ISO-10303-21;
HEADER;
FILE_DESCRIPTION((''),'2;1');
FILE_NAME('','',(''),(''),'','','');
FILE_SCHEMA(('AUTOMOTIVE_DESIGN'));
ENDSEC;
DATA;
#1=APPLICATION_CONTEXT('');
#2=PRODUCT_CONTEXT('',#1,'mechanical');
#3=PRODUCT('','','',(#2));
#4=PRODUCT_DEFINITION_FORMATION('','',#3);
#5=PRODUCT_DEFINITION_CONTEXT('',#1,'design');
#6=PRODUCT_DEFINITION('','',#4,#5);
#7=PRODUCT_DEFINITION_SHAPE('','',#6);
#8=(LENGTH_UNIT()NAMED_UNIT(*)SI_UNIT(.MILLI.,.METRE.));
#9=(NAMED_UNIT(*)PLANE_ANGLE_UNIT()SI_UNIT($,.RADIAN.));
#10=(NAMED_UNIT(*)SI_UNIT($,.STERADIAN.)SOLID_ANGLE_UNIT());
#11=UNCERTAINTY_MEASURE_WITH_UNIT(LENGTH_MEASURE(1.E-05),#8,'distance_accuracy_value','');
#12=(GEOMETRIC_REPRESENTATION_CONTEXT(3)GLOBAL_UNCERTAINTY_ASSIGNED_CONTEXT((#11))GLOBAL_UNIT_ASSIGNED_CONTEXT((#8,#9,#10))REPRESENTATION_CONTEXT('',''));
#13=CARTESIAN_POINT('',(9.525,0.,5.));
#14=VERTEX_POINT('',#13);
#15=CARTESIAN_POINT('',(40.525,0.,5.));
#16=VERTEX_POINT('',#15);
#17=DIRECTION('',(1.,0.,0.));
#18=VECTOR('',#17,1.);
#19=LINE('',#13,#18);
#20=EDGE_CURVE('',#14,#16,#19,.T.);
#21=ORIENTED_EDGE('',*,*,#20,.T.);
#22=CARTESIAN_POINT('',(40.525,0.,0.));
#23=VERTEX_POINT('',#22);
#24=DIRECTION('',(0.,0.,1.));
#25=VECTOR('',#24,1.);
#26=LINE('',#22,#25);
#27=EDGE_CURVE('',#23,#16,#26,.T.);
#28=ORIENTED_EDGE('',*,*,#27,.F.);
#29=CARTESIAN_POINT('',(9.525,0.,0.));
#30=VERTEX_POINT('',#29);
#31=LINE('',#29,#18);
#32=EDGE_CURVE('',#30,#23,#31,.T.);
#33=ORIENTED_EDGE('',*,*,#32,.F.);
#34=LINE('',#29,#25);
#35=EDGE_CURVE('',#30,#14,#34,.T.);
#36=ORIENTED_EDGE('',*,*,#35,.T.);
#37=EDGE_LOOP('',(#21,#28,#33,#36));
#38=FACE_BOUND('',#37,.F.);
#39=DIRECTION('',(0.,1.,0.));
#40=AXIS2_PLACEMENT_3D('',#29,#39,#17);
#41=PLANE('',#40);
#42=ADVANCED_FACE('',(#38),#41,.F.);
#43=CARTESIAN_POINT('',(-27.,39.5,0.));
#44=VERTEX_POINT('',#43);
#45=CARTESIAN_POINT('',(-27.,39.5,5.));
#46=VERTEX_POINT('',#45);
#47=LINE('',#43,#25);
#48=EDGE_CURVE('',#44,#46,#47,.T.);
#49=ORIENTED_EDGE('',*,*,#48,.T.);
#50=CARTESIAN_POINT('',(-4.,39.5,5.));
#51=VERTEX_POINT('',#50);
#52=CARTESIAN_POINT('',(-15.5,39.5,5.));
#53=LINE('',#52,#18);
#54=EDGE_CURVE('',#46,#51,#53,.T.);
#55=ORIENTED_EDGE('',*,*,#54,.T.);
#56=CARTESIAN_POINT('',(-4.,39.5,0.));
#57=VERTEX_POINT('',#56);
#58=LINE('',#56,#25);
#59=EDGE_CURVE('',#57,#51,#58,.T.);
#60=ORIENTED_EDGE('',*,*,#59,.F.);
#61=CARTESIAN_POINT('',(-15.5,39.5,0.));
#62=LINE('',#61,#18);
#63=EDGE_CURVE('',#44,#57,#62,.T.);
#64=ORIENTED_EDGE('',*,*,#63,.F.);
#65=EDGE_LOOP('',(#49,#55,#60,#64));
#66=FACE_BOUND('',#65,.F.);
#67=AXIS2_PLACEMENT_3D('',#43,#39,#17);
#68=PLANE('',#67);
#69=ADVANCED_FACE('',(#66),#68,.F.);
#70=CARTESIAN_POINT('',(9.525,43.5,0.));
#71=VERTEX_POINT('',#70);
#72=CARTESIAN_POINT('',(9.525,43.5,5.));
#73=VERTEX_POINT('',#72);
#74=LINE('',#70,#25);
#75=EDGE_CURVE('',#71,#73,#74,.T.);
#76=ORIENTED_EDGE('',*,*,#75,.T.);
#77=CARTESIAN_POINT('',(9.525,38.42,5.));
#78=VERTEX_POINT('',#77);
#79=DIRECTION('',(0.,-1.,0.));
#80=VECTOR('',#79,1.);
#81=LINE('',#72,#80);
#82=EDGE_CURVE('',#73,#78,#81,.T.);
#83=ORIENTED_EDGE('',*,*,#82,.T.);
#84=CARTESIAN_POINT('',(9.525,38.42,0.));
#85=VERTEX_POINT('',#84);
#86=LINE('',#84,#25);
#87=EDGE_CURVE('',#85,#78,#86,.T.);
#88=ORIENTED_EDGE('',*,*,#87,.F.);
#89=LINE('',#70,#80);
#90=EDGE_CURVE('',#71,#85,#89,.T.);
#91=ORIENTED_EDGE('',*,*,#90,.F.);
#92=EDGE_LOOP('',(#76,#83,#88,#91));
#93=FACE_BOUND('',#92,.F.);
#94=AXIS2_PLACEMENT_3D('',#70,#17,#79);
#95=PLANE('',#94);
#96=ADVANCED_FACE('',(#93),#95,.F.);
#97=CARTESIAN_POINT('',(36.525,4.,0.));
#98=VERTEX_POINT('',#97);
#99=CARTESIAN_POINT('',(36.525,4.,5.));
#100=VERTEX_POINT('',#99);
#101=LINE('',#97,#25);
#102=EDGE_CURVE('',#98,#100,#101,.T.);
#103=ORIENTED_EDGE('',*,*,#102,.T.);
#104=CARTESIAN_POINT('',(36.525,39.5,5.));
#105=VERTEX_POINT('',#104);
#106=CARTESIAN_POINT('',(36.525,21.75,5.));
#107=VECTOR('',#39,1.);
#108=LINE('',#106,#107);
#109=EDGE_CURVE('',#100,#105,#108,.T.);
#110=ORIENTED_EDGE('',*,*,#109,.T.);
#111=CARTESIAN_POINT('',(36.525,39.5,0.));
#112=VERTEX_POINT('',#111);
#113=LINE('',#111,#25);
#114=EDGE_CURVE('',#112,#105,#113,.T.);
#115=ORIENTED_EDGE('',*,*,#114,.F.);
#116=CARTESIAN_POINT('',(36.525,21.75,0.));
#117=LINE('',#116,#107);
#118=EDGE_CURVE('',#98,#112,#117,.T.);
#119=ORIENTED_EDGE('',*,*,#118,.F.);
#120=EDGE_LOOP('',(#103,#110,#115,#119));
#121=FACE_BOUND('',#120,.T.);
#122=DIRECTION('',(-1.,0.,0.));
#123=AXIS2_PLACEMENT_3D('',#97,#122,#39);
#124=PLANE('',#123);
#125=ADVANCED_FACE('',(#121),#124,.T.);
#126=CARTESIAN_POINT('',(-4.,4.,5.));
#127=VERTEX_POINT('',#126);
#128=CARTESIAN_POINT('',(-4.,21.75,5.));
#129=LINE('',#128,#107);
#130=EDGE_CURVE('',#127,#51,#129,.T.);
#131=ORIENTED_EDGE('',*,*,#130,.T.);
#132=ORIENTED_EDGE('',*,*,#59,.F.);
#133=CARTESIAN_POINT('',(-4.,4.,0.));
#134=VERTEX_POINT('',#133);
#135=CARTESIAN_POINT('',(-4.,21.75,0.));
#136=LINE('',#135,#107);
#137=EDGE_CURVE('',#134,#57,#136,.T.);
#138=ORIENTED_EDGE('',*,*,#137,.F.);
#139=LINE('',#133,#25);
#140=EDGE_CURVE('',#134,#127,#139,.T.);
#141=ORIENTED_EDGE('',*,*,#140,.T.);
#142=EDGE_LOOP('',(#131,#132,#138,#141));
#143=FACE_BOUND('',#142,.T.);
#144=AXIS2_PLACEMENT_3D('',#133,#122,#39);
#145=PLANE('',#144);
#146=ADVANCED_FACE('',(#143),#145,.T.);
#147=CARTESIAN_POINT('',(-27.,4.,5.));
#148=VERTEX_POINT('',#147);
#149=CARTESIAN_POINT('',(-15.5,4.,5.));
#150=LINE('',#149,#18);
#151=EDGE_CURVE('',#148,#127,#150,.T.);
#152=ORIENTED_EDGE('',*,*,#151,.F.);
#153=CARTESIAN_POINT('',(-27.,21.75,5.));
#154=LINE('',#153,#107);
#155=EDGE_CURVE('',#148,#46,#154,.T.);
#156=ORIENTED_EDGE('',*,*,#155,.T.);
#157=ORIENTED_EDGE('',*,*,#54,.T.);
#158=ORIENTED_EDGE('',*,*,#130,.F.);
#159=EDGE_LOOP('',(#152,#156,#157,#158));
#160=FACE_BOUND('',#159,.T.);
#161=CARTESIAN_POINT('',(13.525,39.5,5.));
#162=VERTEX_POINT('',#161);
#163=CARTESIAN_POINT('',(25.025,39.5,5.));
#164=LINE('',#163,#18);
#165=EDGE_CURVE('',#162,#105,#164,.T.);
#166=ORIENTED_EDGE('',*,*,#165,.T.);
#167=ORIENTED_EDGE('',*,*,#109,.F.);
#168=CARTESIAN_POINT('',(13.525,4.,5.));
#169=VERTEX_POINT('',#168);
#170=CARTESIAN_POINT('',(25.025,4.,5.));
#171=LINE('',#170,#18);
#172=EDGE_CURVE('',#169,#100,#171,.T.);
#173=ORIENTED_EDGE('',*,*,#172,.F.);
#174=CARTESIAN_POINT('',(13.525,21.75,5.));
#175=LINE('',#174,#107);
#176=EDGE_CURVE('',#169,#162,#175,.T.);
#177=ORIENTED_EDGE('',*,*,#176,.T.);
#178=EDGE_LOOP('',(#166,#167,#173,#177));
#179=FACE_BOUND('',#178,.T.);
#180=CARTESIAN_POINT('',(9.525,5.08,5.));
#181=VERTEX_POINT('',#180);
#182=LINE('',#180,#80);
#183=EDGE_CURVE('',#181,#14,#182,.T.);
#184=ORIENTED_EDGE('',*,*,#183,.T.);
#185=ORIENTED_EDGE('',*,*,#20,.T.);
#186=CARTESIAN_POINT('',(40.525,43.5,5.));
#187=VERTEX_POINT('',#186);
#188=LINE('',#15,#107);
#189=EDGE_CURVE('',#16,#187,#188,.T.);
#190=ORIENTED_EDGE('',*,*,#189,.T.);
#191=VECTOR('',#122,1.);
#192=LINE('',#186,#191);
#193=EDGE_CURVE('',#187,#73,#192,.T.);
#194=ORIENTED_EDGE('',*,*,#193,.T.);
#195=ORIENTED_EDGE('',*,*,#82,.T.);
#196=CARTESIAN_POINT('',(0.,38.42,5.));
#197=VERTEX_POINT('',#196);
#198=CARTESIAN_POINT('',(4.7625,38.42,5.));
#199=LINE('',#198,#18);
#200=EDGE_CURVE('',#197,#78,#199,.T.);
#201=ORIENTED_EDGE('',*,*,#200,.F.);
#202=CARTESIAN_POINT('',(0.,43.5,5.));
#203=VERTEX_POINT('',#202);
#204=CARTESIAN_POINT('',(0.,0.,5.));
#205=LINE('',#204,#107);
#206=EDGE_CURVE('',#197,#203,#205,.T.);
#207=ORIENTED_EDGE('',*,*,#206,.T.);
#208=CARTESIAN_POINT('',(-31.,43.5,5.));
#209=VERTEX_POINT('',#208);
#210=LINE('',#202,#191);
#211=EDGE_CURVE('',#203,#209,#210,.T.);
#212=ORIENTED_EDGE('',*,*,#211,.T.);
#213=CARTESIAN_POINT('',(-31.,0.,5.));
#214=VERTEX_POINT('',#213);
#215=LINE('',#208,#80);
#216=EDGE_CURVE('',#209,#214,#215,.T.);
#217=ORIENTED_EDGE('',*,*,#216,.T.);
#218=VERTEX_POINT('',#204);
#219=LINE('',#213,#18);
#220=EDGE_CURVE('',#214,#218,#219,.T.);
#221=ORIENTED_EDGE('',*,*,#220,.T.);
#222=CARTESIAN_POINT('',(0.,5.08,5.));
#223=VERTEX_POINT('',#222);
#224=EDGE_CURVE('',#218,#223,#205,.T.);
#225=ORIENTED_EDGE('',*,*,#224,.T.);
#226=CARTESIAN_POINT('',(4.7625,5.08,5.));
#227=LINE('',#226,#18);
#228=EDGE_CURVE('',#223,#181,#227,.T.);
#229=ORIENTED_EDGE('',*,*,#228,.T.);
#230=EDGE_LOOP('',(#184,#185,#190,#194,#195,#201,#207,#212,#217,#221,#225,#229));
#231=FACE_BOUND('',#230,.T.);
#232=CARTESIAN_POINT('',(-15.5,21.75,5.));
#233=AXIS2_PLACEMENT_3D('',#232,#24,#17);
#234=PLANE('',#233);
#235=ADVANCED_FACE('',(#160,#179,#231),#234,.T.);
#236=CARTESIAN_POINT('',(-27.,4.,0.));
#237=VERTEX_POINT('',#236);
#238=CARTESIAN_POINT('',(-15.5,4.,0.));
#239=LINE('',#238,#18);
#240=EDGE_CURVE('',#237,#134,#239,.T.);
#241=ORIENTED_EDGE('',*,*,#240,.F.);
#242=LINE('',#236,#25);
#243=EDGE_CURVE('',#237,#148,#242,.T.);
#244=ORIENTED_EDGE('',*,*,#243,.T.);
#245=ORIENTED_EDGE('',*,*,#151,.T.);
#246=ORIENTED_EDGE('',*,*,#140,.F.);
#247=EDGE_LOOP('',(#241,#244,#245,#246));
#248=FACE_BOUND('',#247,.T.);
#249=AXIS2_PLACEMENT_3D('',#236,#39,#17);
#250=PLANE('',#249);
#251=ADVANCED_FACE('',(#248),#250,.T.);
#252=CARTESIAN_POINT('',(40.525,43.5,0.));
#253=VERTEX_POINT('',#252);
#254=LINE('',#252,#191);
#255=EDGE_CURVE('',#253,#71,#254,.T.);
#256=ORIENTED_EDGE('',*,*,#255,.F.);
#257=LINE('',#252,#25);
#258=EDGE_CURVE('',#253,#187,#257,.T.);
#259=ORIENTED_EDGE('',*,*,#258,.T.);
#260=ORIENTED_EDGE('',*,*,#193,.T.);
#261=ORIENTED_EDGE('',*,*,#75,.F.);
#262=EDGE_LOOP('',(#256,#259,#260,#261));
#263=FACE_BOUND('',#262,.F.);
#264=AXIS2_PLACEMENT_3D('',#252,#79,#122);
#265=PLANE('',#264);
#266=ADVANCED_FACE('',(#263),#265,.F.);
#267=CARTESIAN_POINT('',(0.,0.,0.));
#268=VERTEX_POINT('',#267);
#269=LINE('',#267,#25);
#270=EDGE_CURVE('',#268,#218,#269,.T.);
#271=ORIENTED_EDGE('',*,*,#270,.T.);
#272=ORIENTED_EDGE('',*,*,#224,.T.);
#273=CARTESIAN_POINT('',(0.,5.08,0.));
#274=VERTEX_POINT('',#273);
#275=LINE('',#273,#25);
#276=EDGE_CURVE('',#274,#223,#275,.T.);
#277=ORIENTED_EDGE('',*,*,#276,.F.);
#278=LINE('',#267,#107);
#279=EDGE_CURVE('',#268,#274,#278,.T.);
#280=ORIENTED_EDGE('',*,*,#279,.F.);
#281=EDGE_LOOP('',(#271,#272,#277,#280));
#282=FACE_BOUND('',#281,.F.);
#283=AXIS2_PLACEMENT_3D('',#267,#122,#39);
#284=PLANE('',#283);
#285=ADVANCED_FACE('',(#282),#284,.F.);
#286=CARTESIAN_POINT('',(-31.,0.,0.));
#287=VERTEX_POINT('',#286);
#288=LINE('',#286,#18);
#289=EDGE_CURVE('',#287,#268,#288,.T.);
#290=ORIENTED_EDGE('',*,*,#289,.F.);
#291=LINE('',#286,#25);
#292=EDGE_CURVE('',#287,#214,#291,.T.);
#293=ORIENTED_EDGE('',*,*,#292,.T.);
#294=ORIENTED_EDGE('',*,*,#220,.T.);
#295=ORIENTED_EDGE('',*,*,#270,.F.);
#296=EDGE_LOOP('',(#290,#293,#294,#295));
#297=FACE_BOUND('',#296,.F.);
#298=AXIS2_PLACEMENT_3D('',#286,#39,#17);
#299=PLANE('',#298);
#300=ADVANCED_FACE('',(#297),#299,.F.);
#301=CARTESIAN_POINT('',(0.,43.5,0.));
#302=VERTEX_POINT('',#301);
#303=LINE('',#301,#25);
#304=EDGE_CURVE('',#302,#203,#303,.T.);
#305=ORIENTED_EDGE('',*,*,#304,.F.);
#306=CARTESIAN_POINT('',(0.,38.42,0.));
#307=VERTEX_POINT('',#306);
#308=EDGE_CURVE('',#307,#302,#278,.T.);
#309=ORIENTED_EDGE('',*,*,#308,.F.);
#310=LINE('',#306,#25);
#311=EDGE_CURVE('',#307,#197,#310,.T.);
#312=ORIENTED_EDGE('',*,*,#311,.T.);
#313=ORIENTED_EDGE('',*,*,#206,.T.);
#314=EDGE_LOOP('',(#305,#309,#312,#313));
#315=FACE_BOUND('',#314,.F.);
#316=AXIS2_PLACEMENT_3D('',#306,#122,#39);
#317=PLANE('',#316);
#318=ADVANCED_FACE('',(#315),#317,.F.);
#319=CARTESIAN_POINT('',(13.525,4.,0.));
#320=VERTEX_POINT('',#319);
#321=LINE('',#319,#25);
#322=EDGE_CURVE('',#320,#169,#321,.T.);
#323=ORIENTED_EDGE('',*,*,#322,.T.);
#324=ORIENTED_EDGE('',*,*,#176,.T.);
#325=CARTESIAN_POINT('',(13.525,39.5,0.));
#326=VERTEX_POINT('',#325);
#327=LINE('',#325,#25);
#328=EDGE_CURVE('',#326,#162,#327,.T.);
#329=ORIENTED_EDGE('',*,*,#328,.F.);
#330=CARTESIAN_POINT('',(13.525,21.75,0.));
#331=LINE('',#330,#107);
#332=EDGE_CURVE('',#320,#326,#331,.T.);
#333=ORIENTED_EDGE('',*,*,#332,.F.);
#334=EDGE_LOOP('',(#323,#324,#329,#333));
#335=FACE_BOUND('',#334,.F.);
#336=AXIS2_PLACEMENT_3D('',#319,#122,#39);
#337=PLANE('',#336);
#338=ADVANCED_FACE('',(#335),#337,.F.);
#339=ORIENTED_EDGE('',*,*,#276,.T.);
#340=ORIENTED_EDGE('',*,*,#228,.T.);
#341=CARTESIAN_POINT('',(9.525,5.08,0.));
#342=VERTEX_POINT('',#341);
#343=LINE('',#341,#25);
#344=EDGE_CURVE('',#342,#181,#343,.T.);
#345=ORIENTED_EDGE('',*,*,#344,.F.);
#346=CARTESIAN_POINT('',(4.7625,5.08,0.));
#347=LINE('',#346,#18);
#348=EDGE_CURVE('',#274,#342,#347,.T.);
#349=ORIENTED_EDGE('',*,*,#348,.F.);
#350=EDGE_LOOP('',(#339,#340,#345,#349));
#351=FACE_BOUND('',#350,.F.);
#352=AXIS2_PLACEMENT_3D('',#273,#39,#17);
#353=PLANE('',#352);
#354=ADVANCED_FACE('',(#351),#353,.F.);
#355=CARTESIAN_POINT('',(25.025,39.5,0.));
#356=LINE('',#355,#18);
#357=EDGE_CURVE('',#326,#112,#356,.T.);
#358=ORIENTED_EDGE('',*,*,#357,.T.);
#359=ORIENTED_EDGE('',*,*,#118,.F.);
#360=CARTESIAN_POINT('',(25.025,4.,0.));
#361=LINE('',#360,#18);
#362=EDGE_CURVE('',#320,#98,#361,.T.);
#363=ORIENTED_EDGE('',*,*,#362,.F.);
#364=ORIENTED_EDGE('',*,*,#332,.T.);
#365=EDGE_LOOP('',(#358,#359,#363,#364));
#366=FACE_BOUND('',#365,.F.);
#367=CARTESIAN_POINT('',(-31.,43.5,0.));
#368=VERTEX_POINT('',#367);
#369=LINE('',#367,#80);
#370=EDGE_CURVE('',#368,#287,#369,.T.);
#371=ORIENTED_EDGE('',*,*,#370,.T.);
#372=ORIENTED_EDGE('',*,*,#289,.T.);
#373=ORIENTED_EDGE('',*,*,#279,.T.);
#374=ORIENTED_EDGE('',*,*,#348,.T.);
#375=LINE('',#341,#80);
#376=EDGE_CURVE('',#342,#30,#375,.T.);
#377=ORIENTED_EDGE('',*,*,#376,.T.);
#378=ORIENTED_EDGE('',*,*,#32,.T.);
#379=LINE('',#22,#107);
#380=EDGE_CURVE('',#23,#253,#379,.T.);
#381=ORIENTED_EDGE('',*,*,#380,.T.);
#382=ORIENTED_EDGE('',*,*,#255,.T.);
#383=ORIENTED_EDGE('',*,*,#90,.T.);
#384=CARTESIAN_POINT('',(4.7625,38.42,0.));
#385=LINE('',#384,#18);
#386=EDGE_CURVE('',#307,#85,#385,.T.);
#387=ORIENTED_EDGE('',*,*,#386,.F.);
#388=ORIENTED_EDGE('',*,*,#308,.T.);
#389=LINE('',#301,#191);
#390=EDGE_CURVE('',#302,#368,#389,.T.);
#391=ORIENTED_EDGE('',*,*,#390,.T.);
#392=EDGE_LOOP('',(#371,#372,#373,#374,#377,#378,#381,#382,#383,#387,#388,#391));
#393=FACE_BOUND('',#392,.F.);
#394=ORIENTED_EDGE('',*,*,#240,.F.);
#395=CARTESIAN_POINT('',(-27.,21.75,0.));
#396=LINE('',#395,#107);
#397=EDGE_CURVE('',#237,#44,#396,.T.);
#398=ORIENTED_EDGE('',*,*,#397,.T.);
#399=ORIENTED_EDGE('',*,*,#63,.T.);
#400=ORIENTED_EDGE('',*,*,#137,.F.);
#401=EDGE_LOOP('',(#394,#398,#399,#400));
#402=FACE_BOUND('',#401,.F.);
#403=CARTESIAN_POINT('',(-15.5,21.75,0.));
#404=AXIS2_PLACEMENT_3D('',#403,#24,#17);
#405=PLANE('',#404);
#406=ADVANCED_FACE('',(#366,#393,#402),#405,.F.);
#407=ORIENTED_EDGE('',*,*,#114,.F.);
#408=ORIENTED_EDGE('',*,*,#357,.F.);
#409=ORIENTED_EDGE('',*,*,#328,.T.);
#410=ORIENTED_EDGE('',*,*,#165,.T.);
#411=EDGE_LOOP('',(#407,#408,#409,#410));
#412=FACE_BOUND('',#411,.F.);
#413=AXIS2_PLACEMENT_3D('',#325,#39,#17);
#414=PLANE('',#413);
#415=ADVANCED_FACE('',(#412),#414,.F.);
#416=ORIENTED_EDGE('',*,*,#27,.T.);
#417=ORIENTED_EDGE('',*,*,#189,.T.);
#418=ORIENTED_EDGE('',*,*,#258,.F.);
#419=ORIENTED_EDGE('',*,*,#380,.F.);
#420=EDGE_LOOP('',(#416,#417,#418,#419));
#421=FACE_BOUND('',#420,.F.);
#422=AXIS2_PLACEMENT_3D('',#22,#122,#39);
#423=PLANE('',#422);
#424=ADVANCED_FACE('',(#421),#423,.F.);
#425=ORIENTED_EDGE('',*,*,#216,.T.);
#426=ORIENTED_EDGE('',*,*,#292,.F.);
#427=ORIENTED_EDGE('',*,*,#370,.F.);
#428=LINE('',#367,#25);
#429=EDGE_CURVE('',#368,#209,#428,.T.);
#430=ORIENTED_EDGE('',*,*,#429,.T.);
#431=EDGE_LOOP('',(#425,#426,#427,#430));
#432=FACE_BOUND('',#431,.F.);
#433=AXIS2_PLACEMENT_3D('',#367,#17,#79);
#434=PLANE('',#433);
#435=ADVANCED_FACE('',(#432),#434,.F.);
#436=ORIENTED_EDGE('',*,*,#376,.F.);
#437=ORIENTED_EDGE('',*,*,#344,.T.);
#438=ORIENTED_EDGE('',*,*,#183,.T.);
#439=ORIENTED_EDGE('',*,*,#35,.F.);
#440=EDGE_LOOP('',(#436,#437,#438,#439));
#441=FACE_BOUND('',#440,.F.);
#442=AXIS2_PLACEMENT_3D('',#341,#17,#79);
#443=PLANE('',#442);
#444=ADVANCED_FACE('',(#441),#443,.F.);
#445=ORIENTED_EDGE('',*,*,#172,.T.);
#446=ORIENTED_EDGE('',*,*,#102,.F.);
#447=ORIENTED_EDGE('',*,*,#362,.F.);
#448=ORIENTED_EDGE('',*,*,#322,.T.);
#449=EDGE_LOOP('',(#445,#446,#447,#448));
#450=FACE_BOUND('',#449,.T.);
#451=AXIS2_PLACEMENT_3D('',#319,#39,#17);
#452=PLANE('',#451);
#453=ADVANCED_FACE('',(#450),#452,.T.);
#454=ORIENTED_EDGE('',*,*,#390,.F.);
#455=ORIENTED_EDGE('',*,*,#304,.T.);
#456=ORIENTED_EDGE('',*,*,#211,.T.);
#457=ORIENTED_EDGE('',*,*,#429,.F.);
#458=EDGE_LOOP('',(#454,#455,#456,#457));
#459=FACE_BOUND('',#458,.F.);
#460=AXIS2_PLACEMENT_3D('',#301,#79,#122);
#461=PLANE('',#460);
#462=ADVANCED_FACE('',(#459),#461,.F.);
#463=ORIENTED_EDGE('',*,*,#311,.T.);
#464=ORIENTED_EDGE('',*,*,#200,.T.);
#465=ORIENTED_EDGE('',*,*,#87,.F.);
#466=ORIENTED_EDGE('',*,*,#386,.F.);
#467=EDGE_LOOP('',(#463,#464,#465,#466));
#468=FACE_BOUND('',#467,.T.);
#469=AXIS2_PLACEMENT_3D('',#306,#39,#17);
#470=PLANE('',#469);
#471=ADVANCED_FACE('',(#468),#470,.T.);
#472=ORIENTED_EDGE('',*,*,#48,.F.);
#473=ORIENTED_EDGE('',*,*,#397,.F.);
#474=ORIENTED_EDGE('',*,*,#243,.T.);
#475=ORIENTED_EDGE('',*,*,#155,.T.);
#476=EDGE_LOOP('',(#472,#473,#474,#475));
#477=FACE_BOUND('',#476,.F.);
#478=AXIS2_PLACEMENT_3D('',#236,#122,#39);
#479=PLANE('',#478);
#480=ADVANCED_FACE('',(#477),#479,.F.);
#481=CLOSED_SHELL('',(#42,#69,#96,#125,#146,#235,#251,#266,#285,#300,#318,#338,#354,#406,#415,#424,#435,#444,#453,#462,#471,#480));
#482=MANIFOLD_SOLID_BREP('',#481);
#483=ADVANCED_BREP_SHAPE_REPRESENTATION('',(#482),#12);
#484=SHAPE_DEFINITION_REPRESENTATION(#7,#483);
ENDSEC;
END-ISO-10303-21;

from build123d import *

# Parameters (mm, degrees)
F0_W     = 23
F0_H     = 35.5
F0_W_2   = 9.525
F0_H_2   = 33.34
F1_DEPTH = 5


with BuildPart() as f1:
    # F0 (on Top) → F1 (new body)
    with BuildSketch(Plane.XY):
        Polygon((-31, 0), (0, 0), (0, 5.08), (0, 38.42), (0, 43.5), (-31, 43.5), align=None)
        with Locations((-15.5, 21.75)):
            Rectangle(F0_W, F0_H, mode=Mode.SUBTRACT)
        with Locations((4.7625, 21.75)):
            Rectangle(F0_W_2, F0_H_2)
        Polygon((9.525, 38.42), (9.525, 5.08), (9.525, 0), (40.525, 0), (40.525, 43.5), (9.525, 43.5), align=None)
        with Locations((25.025, 21.75)):
            Rectangle(F0_W, F0_H, mode=Mode.SUBTRACT)
    extrude(amount=F1_DEPTH)


solid = f1.part
